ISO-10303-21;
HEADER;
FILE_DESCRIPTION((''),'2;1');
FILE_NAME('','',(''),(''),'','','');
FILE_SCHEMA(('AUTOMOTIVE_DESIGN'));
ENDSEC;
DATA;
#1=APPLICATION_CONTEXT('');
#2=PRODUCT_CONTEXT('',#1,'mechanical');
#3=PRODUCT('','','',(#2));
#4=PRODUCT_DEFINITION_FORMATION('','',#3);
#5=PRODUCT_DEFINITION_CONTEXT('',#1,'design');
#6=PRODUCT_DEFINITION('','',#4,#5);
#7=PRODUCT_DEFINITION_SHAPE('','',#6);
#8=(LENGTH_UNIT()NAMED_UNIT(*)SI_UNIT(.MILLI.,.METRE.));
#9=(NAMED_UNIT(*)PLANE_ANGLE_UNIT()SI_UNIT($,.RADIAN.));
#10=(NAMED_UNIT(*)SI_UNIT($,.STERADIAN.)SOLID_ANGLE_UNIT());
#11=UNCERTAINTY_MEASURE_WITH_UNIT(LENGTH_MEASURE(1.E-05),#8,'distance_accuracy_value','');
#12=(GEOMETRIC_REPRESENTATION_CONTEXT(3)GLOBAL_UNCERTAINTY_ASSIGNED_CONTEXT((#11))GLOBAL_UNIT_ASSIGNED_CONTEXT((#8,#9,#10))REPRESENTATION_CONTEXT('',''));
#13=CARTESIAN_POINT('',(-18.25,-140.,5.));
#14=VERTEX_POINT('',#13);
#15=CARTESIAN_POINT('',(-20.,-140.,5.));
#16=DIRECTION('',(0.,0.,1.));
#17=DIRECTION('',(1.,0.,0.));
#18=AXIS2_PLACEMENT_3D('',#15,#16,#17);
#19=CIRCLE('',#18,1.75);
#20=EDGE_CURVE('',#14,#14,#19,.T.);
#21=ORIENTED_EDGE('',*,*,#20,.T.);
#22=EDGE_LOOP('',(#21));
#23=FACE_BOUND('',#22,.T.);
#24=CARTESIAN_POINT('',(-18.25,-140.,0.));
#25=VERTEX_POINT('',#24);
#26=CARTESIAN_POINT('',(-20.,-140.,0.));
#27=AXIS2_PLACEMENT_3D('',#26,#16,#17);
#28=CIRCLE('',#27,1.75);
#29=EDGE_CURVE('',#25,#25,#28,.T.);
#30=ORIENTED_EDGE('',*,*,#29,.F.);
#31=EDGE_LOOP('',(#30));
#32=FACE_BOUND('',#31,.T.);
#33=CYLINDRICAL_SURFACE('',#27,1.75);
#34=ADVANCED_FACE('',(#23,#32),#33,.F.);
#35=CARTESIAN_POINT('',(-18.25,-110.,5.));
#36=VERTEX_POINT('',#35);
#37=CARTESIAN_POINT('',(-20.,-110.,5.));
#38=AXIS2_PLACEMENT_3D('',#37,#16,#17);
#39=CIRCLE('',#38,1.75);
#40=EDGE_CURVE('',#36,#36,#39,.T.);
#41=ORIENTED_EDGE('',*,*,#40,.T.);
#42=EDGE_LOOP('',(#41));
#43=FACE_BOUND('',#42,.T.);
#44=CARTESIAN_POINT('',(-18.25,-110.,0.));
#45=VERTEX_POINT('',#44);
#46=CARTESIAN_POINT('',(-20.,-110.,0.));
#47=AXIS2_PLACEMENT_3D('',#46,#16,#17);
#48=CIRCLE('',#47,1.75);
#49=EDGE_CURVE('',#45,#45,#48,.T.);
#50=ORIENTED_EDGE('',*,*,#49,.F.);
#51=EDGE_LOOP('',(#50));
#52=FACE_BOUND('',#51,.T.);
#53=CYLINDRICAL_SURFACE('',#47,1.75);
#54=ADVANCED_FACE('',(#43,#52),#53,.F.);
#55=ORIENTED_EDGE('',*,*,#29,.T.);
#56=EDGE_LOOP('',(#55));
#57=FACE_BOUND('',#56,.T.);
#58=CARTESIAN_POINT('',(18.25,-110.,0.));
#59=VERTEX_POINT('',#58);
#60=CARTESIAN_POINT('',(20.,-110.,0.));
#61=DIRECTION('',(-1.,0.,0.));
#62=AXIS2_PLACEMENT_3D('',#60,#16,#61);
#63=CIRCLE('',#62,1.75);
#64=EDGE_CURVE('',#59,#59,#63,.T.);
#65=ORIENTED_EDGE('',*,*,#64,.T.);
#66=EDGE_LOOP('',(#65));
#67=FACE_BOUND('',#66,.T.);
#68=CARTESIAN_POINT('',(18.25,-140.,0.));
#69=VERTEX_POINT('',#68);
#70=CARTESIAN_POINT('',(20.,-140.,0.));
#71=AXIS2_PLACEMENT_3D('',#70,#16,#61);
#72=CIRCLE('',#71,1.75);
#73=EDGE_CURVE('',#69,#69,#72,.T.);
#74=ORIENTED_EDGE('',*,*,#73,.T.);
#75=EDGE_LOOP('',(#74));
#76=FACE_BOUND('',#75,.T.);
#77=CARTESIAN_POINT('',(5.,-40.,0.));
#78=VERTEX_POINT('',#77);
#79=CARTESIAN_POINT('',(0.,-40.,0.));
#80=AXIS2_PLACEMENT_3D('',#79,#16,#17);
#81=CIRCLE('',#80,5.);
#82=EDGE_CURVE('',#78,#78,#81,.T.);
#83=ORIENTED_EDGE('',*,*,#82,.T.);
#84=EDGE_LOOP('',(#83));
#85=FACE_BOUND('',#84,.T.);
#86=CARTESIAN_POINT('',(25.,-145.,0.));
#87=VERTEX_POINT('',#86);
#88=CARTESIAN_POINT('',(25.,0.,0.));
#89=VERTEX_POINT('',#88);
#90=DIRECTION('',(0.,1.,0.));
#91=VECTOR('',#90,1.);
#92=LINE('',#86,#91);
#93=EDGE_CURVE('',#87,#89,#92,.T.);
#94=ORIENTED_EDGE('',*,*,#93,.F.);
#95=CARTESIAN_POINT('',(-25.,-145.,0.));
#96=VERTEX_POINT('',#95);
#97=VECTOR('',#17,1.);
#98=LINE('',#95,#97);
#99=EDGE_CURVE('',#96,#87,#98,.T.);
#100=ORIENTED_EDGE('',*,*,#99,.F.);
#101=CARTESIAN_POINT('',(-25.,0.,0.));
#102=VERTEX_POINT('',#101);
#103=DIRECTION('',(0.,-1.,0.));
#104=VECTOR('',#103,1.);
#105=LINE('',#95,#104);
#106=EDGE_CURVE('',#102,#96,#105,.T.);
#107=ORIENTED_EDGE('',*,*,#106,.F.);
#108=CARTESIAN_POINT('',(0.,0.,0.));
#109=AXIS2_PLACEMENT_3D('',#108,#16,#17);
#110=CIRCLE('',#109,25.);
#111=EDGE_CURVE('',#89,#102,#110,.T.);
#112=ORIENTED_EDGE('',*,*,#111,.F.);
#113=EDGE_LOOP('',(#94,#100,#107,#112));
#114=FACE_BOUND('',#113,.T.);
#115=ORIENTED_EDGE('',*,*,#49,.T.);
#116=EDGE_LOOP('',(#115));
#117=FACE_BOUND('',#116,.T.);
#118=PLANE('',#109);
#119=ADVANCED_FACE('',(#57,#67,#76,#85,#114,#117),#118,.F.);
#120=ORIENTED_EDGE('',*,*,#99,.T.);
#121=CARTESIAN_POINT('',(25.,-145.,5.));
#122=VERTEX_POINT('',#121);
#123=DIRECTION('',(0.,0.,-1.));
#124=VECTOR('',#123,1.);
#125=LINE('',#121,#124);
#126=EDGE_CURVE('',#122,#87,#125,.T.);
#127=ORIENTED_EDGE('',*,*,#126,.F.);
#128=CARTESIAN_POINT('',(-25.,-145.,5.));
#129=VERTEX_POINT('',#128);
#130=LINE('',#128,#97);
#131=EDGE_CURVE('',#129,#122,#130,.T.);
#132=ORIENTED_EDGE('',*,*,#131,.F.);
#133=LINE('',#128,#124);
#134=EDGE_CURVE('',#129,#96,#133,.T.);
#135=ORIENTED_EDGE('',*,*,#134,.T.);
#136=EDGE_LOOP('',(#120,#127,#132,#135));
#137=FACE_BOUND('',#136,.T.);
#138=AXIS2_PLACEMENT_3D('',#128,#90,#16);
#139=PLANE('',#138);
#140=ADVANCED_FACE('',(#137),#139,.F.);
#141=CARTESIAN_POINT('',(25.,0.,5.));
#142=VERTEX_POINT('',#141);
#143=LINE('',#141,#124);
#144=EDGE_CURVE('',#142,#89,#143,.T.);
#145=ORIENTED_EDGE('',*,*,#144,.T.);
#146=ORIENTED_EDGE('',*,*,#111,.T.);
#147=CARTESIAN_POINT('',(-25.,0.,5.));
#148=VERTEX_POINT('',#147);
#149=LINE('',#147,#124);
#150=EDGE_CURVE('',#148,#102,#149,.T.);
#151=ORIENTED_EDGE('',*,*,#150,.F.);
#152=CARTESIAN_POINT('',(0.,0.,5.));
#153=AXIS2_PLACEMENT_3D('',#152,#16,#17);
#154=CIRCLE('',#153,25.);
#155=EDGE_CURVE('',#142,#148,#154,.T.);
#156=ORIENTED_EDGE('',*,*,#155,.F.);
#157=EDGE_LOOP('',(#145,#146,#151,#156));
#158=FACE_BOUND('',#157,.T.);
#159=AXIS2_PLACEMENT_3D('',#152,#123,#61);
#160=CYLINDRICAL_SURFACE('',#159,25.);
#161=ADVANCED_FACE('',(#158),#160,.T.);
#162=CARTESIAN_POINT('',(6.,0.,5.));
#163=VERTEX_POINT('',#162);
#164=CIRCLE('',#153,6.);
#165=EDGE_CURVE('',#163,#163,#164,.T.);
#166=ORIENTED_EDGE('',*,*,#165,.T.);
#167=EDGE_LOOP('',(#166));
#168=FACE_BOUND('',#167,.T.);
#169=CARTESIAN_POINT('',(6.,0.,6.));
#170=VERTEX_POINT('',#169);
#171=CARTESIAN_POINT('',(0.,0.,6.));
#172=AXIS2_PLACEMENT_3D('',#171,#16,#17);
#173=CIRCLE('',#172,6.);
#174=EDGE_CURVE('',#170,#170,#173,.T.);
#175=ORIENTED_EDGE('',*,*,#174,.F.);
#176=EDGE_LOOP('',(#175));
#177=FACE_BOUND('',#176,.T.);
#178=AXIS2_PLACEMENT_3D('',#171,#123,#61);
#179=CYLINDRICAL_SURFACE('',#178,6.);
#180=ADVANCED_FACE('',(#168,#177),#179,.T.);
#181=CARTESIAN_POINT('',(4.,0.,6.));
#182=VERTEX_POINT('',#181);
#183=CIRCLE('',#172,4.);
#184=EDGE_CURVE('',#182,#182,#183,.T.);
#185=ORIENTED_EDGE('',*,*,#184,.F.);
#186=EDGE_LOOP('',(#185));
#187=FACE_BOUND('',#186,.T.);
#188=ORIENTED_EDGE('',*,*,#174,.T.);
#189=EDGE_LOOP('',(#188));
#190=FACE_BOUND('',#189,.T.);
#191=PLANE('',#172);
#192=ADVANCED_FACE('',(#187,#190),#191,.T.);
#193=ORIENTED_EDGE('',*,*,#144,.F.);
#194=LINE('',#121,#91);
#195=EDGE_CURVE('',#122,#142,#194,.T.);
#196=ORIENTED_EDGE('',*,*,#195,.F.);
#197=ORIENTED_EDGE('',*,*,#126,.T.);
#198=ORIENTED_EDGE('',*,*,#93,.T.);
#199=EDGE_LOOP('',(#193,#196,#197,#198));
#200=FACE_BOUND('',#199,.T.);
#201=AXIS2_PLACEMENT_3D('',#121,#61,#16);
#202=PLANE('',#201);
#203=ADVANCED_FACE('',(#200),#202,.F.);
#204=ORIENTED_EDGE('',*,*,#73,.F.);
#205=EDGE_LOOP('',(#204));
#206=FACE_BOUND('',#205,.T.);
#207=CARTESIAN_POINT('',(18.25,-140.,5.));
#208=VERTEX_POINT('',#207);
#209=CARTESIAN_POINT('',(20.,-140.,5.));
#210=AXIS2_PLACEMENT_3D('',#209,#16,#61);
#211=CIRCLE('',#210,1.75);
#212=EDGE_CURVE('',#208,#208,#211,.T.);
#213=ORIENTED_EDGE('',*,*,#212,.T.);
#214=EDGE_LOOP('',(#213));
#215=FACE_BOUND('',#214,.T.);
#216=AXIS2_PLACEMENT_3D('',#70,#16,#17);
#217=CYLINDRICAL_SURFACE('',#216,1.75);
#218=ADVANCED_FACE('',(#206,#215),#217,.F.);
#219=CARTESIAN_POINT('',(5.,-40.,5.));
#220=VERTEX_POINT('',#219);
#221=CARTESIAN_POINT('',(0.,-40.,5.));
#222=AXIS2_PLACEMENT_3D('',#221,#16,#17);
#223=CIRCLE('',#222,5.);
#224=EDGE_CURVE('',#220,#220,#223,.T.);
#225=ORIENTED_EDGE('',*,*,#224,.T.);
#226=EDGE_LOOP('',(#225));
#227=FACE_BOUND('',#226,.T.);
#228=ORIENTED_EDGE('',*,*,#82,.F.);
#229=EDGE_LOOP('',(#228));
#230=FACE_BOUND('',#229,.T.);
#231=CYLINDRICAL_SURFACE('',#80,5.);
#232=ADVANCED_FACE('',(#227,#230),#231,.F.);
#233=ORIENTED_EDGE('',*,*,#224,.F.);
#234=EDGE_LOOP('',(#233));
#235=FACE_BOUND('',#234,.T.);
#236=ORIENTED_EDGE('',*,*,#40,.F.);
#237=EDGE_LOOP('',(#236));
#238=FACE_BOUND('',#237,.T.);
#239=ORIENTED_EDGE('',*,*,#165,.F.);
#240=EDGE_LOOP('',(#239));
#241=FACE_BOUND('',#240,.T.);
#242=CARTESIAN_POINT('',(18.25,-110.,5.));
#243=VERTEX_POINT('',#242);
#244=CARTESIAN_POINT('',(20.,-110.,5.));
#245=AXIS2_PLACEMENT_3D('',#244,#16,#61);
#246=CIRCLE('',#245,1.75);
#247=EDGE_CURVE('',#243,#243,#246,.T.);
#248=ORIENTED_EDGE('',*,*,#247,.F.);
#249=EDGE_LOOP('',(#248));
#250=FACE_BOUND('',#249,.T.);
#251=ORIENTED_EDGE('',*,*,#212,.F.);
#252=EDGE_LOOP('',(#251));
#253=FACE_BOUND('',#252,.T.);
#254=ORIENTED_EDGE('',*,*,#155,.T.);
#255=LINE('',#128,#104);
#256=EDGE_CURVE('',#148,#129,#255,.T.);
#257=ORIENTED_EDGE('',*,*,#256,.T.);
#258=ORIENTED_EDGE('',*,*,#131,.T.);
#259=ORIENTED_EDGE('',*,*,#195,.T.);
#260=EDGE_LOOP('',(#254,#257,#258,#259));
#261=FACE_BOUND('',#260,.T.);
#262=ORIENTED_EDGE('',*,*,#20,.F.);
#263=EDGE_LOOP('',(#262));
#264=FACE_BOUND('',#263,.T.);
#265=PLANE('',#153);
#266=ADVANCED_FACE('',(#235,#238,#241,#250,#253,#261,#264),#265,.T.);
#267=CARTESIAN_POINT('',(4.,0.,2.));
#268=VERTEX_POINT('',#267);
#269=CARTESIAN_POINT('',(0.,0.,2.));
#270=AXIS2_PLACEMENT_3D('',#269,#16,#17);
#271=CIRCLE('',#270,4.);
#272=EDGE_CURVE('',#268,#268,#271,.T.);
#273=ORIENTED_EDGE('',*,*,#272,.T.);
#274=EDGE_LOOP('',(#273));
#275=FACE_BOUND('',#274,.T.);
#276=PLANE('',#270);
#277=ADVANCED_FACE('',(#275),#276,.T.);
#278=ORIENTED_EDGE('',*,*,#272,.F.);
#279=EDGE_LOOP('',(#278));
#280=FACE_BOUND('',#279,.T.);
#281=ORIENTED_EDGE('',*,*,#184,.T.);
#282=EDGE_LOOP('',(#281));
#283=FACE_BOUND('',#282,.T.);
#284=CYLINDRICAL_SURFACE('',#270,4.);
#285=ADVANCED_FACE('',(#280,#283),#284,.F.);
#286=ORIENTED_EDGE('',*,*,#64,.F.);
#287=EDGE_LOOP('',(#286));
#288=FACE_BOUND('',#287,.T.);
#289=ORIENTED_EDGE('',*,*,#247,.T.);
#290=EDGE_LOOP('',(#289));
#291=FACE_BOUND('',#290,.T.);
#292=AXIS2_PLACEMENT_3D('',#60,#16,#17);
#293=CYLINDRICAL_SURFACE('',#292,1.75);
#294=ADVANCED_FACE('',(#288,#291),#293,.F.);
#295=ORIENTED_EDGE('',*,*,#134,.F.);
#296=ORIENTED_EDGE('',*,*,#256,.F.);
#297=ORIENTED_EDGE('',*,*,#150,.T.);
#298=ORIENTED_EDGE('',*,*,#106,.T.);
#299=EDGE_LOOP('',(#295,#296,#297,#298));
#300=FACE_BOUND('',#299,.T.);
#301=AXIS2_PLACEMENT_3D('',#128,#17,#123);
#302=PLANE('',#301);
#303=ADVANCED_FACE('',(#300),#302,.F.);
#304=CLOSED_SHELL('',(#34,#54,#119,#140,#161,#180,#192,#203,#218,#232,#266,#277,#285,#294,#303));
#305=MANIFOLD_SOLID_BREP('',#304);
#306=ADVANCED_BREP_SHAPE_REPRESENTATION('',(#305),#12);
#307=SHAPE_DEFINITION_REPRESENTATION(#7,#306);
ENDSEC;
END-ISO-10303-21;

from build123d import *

# Parameters (mm, degrees)
BOSS_EXTRUDE1_DEPTH = 5
SKETCH2_R           = 4
CUT_EXTRUDE1_DEPTH  = 3
BOSS_EXTRUDE2_START = 1
SKETCH3_R           = 6
SKETCH3_R_2         = 4
BOSS_EXTRUDE2_DEPTH = 1
SKETCH4_R           = 1.75
CUT_EXTRUDE2_DEPTH  = 148.224318643
SKETCH5_R           = 5
CUT_EXTRUDE3_DEPTH  = 148.224318643


with BuildPart() as part:
    # Sketch1 → Boss-Extrude1 (new body)
    with BuildSketch(Plane.XY):
        with BuildLine():
            Line((-25, -145), (25, -145))
            Line((25, -145), (25, 0))
            ThreePointArc((25, 0), (0, 25), (-25, 0))
            Line((-25, 0), (-25, -145))
        make_face()
    extrude(amount=BOSS_EXTRUDE1_DEPTH)

    # Sketch2 → Cut-Extrude1 (cut)
    with BuildSketch(Plane.XY.offset(5)):
        Circle(SKETCH2_R)
    extrude(amount=-CUT_EXTRUDE1_DEPTH, mode=Mode.SUBTRACT)

    # Sketch3 → Boss-Extrude2 (add)
    with BuildSketch(Plane.XY.offset(5).offset(BOSS_EXTRUDE2_START)):
        Circle(SKETCH3_R)
        Circle(SKETCH3_R_2, mode=Mode.SUBTRACT)
    extrude(amount=-BOSS_EXTRUDE2_DEPTH)

    # Sketch4 → Cut-Extrude2 (cut, through all)
    with BuildSketch(Plane.XY.offset(5)):
        with Locations((-20, -140)):
            Circle(SKETCH4_R)
        with Locations((-20, -110)):
            Circle(SKETCH4_R)
        with Locations(Location((20, -110, 0), (0, 0, 180))):
            Circle(SKETCH4_R)
        with Locations(Location((20, -140, 0), (0, 0, 180))):
            Circle(SKETCH4_R)
    extrude(amount=-CUT_EXTRUDE2_DEPTH, mode=Mode.SUBTRACT)

    # Sketch5 → Cut-Extrude3 (cut, through all)
    with BuildSketch(Plane.XY.offset(5)):
        with Locations((0, -40)):
            Circle(SKETCH5_R)
    extrude(amount=-CUT_EXTRUDE3_DEPTH, mode=Mode.SUBTRACT)


solid = part.part
